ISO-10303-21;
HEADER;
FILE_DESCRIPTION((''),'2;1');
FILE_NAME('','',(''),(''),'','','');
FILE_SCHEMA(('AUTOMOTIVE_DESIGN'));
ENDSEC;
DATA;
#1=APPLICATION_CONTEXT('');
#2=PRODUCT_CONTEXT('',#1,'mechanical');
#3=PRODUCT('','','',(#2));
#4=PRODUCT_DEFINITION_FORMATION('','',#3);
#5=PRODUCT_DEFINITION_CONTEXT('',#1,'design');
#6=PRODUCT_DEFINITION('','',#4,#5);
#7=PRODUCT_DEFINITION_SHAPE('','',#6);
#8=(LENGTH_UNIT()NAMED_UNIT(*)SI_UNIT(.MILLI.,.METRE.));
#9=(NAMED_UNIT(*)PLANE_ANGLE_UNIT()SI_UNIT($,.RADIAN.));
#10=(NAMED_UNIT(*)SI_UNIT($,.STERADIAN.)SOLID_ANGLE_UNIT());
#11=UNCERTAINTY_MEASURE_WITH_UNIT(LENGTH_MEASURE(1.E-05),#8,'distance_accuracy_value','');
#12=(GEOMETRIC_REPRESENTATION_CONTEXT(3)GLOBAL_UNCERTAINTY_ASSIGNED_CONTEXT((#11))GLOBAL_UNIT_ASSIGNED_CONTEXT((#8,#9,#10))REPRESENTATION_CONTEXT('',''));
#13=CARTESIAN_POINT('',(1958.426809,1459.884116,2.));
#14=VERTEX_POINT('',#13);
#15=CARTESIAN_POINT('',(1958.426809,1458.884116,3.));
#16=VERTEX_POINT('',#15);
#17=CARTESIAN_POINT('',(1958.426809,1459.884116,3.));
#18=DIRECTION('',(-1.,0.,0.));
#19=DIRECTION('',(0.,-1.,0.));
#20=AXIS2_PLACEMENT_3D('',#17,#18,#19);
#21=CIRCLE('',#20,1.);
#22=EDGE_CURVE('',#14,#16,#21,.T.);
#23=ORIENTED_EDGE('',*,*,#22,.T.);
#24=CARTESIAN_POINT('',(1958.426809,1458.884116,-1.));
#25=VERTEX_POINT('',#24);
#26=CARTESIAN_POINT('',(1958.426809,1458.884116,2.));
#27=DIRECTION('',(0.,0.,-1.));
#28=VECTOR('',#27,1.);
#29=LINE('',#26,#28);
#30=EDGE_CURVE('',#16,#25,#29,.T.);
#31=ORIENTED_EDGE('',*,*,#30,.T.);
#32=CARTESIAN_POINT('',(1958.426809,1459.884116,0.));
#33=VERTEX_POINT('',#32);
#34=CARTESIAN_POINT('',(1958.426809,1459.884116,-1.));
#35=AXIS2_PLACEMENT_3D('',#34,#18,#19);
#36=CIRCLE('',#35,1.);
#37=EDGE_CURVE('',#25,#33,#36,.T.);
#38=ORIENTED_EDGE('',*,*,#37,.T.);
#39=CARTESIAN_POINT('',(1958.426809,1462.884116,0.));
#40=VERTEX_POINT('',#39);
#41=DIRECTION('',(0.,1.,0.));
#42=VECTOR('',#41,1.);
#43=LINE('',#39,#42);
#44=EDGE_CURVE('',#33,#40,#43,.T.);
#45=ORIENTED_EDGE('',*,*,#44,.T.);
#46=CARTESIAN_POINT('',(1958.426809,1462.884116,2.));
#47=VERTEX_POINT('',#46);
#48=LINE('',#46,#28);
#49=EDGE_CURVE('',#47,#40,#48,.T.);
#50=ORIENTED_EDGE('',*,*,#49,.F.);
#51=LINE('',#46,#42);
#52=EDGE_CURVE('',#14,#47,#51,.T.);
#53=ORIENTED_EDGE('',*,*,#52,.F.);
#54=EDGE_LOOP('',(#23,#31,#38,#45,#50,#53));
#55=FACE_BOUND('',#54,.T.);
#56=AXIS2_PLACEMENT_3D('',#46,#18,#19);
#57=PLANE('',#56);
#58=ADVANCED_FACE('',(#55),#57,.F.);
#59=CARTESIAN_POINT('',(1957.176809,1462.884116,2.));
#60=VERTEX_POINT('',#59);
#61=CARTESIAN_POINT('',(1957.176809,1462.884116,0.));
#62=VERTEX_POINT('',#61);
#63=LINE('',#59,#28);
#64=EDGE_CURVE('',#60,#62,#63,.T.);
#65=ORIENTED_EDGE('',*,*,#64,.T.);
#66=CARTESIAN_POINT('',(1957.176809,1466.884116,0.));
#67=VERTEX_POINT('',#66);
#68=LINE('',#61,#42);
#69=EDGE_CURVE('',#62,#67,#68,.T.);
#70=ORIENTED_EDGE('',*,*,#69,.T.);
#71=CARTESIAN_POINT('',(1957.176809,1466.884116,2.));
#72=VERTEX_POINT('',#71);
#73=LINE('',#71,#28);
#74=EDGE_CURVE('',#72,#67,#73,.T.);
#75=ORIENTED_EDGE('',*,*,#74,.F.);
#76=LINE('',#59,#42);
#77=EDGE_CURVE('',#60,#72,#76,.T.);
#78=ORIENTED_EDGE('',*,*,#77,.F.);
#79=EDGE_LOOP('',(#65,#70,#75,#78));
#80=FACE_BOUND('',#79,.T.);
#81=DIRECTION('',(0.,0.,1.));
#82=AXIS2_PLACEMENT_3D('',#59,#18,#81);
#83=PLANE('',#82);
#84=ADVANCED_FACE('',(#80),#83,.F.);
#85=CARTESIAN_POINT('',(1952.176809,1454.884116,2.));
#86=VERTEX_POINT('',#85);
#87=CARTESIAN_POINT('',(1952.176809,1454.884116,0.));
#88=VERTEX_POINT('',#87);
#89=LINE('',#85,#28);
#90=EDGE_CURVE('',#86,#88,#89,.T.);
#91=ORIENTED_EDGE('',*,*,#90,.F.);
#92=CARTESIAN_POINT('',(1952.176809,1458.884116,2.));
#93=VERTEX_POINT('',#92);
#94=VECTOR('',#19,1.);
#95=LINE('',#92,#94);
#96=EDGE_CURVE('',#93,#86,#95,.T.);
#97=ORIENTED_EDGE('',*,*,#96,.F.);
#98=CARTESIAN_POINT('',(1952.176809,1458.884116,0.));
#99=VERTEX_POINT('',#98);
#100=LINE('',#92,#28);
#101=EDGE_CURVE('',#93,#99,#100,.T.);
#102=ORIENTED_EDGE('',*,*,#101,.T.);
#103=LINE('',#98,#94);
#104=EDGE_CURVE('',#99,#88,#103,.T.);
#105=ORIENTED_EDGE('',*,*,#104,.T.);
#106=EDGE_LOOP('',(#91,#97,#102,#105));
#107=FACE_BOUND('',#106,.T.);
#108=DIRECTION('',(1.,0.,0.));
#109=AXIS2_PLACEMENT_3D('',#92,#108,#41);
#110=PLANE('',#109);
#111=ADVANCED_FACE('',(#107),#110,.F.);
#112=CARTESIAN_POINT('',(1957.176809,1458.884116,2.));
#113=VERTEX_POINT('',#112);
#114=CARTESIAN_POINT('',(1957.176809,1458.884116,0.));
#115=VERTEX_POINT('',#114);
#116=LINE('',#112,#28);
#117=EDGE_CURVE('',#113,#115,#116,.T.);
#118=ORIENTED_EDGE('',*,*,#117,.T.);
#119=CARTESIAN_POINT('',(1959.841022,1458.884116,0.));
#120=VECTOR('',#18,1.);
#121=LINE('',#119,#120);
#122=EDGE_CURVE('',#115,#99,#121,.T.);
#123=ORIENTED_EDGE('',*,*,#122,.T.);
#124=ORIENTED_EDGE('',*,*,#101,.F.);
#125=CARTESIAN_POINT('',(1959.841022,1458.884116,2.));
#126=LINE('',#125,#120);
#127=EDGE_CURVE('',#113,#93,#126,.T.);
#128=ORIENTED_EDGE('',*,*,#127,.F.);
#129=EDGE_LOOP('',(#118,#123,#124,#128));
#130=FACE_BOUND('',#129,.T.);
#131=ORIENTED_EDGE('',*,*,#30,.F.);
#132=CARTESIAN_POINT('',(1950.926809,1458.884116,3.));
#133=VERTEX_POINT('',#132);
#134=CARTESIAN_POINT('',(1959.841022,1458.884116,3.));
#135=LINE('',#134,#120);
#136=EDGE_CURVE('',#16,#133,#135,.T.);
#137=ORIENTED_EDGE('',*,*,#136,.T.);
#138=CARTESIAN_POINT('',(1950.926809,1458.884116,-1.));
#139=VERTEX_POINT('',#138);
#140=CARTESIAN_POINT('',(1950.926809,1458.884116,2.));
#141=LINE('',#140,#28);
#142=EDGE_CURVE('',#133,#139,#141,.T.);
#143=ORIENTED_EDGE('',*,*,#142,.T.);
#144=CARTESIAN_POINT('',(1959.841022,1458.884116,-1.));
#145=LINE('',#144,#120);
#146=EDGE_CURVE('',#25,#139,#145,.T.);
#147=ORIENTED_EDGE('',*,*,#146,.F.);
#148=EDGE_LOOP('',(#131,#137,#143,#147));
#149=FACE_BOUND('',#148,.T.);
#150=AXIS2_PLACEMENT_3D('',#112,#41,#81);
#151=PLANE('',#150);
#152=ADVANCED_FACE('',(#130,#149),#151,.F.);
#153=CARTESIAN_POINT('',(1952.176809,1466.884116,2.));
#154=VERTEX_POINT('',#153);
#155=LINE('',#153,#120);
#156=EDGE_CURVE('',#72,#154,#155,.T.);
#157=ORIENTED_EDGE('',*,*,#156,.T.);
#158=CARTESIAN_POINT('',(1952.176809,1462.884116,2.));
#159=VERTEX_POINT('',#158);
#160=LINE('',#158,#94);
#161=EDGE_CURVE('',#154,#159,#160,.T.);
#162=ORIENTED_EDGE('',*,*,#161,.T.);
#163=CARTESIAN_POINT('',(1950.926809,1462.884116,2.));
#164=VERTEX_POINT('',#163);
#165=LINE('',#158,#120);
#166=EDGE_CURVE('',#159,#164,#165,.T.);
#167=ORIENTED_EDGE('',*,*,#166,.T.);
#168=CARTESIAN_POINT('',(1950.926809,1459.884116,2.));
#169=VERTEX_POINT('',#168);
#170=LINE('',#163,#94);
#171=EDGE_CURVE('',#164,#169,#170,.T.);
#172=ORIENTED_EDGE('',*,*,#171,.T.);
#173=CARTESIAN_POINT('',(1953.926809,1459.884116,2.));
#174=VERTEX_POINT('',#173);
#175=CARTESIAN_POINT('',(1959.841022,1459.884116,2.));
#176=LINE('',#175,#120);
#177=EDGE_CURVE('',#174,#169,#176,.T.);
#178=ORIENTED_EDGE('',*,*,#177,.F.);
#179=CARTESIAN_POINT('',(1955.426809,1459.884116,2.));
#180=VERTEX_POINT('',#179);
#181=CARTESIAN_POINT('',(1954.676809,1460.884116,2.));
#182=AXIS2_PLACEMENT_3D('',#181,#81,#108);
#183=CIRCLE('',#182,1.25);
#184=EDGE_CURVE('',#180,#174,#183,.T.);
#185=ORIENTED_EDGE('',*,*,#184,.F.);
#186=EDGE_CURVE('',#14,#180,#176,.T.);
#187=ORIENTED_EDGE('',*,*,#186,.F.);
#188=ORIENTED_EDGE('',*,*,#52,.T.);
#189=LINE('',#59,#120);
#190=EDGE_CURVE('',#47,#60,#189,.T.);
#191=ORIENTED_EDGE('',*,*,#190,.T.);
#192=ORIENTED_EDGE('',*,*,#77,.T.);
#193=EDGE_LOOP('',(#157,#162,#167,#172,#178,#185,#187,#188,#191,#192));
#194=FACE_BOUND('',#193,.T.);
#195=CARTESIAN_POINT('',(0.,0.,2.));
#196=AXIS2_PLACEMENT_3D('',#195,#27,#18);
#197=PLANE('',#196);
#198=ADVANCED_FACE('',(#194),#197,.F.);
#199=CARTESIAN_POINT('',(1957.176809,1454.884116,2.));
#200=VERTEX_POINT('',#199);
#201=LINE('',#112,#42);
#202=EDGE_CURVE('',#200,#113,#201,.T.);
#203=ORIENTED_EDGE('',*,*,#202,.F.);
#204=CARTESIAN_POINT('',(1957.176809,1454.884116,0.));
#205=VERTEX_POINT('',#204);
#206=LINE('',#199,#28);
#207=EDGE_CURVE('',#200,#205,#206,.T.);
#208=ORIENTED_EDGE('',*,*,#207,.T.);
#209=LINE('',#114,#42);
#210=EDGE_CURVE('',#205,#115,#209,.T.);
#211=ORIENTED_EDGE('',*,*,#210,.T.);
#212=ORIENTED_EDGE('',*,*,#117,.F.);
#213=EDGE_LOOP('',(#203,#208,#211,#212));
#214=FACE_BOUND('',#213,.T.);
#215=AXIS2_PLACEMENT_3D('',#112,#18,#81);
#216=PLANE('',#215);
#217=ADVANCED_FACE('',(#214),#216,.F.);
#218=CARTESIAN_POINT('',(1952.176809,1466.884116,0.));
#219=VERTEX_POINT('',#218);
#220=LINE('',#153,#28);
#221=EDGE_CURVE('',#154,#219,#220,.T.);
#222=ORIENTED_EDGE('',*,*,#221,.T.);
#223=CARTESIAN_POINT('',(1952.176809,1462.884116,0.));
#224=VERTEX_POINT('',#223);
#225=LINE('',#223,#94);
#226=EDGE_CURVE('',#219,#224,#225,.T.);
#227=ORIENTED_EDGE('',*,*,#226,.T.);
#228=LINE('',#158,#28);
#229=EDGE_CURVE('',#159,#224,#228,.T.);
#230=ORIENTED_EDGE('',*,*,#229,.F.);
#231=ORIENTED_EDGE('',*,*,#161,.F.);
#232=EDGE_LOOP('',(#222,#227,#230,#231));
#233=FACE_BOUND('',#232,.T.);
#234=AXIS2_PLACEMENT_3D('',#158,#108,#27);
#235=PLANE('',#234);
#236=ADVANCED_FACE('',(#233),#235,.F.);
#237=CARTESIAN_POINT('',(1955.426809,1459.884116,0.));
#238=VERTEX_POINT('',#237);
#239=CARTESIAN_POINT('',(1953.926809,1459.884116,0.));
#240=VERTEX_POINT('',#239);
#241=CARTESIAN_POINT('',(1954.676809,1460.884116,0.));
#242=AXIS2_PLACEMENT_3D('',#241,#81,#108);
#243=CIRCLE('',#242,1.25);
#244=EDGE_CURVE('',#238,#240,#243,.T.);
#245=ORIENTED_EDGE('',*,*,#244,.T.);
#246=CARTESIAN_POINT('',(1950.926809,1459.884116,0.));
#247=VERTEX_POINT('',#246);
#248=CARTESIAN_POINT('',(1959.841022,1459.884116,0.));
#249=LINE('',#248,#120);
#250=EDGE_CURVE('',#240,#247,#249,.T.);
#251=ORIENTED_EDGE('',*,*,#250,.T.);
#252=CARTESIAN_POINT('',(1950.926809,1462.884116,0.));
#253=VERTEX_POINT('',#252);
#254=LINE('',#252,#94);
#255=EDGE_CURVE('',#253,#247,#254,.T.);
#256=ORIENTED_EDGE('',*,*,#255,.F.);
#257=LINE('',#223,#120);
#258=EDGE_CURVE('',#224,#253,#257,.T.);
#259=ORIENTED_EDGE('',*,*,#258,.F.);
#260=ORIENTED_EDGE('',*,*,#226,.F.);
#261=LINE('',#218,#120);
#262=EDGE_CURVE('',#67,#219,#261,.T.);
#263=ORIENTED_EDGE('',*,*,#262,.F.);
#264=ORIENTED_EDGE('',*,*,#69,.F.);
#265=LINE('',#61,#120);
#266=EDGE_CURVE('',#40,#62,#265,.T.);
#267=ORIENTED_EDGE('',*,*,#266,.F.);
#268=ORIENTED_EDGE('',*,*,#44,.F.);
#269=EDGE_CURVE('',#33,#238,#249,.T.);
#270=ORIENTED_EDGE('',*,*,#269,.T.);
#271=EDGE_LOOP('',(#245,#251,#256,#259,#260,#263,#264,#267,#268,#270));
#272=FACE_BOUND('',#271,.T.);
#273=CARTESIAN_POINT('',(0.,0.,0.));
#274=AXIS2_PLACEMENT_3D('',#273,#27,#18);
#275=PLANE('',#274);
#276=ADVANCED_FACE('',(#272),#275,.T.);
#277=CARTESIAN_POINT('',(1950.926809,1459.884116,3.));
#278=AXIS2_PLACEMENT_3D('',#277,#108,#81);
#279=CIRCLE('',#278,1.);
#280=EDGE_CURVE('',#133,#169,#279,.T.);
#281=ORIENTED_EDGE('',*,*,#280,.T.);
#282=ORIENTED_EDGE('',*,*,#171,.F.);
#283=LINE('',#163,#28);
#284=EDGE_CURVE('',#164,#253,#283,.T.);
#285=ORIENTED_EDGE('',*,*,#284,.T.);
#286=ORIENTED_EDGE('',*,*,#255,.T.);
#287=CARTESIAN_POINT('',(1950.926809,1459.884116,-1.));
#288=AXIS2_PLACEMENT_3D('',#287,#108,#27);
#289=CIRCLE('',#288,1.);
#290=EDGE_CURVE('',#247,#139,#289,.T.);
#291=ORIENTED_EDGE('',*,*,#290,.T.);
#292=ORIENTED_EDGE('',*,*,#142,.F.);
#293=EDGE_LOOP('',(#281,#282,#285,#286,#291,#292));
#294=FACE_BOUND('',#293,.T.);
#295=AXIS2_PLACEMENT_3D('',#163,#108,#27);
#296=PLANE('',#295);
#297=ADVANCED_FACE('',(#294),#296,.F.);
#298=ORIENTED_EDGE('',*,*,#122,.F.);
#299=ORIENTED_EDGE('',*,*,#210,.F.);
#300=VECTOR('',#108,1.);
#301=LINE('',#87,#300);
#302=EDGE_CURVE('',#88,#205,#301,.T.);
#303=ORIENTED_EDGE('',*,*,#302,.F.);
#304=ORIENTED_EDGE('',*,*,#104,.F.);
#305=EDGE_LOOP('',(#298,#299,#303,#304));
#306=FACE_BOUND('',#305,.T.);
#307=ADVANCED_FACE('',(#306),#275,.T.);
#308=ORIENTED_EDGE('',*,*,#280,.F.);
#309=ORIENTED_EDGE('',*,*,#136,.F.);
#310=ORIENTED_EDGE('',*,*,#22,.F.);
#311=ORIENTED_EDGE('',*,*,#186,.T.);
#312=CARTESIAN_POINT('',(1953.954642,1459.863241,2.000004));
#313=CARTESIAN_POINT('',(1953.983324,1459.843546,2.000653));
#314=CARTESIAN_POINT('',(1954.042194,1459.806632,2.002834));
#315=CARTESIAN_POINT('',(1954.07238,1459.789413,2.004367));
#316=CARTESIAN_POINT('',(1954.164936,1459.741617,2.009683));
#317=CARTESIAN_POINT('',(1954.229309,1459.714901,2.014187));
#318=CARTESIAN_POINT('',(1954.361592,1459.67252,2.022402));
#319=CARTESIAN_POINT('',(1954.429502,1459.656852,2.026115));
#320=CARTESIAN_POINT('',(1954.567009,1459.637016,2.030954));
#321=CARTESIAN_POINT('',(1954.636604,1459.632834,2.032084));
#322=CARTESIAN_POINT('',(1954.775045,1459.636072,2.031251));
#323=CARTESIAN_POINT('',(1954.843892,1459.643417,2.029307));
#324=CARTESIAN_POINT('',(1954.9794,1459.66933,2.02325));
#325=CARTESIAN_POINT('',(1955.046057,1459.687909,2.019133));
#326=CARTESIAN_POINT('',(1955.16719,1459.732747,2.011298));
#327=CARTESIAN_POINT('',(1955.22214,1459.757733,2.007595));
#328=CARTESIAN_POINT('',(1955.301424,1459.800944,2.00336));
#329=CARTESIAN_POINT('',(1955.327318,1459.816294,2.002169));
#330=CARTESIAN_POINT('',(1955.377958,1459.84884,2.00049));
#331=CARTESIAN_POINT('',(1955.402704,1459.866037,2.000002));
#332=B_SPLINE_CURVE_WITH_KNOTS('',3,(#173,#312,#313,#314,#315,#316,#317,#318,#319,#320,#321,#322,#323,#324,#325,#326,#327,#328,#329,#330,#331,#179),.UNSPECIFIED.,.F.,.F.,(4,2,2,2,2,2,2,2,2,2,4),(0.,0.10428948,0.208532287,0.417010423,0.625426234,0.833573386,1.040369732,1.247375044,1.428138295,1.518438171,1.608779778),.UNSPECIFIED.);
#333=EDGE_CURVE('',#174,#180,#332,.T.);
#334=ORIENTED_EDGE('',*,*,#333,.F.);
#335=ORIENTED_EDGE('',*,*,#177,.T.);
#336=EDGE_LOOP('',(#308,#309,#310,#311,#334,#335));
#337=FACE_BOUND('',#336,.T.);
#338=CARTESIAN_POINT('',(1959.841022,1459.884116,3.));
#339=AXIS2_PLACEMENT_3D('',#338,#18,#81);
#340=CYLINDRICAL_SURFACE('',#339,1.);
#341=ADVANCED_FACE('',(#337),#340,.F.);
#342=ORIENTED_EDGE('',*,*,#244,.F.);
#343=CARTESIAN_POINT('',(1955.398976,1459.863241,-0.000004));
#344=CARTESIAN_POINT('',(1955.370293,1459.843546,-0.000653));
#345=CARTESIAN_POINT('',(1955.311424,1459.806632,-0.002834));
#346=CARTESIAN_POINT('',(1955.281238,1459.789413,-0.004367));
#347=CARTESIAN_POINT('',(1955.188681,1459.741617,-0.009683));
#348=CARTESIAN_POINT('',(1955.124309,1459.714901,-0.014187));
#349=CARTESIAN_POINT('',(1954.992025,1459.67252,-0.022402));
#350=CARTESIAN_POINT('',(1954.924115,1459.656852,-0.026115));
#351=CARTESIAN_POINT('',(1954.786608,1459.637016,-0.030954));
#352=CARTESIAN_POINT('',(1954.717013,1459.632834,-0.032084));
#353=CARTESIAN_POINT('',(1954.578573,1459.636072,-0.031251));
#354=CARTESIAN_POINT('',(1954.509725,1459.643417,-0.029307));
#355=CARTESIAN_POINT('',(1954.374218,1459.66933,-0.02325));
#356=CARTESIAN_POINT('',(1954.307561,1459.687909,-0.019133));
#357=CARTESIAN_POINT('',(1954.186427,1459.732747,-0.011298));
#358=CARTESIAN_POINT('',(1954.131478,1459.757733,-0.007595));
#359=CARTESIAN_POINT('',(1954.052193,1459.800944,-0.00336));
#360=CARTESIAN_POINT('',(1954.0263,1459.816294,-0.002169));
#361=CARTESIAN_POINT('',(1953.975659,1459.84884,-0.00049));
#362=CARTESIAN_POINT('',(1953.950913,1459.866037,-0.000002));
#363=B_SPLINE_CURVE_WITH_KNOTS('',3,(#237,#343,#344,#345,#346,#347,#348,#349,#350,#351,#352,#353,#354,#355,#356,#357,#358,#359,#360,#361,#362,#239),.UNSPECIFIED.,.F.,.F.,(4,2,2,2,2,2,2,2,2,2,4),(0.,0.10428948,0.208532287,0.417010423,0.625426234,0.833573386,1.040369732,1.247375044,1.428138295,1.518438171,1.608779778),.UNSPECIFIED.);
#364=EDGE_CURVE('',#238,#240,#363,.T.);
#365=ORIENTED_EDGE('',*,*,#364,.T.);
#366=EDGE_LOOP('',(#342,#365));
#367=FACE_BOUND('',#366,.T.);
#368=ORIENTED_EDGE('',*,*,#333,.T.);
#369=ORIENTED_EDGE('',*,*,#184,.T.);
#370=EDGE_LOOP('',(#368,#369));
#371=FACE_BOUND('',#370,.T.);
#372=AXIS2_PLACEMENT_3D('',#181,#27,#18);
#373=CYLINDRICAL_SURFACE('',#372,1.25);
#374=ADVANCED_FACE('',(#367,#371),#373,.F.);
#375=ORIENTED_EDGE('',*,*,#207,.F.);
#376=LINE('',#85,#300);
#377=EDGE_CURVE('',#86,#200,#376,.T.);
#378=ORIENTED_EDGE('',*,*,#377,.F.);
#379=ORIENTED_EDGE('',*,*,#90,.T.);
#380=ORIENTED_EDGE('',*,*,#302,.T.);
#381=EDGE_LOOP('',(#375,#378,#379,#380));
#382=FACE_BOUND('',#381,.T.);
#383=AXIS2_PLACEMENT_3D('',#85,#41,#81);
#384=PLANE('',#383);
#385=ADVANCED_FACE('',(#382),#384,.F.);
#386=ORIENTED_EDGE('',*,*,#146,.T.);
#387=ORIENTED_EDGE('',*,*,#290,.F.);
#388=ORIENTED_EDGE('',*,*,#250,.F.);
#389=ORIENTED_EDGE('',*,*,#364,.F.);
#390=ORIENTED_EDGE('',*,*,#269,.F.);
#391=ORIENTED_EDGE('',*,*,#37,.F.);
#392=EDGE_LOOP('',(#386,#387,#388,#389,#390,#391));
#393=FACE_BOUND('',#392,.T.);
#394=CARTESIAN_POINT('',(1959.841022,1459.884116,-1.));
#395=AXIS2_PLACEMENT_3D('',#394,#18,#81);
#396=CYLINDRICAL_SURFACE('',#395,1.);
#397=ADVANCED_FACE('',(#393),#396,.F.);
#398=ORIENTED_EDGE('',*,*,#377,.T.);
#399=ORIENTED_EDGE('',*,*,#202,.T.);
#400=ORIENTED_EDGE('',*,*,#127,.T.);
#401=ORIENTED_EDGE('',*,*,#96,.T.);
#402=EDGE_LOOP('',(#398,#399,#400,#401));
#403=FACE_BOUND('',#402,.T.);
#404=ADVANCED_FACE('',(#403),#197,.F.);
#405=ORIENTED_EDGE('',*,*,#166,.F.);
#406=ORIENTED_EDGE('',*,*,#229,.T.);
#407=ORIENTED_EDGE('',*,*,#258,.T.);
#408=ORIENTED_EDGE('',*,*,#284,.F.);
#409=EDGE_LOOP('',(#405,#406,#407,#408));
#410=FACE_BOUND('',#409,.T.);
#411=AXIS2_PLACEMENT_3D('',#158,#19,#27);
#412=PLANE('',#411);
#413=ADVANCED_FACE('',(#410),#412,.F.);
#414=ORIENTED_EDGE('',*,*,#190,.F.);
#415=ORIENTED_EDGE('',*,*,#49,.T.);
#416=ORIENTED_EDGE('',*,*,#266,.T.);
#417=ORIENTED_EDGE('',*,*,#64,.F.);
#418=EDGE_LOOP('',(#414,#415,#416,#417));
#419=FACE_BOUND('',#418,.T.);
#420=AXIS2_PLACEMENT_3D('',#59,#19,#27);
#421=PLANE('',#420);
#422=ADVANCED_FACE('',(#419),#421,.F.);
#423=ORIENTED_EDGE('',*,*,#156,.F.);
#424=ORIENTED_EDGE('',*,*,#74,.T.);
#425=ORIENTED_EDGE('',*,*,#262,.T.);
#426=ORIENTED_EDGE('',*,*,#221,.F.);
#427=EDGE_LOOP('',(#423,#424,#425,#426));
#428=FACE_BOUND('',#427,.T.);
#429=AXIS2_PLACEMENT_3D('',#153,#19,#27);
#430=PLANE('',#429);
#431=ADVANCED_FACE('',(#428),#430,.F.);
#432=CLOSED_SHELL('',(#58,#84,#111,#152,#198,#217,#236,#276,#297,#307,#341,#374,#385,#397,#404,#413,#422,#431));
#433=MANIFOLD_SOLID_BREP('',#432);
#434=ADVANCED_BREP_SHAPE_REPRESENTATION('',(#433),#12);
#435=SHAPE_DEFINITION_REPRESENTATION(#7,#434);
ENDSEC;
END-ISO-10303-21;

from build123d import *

# Parameters (mm, degrees)
SKETCH1_R               = 1.25
BOSS_EXTRUDE1_DEPTH     = 2
BOSS_EXTRUDE2_DEPTH     = 7.5
SKETCH3_R               = 1.25
CUT_EXTRUDE1_DEPTH      = 2
CUT_EXTRUDE1_DEPTH_BACK = 4


with BuildPart() as part:
    # Sketch1 → Boss-Extrude1 (new body)
    with BuildSketch(Plane.XY):
        Polygon((1952.176808721, 1466.884115951), (1957.176808721, 1466.884115951), (1957.176808721, 1462.884115951), (1958.426808721, 1462.884115951), (1958.426808721, 1458.884115951), (1957.176808721, 1458.884115951), (1957.176808721, 1454.884115951), (1952.176808721, 1454.884115951), (1952.176808721, 1458.884115951), (1950.926808721, 1458.884115951), (1950.926808721, 1462.884115951), (1952.176808721, 1462.884115951), align=None)
        with Locations((1954.676808721, 1460.884115951)):
            Circle(SKETCH1_R, mode=Mode.SUBTRACT)
    extrude(amount=BOSS_EXTRUDE1_DEPTH)

    # Sketch2 → Boss-Extrude2 (add)
    with BuildSketch(Plane.ZY.offset(-1950.926808721)):
        with BuildLine():
            Line((2, 1458.884115951), (2, 1459.884115951))
            ThreePointArc((2, 1459.884115951), (2.292893219, 1459.17700917), (3, 1458.884115951))
            Line((3, 1458.884115951), (2, 1458.884115951))
        make_face()
        with BuildLine():
            Line((0, 1458.884115951), (-1, 1458.884115951))
            ThreePointArc((-1, 1458.884115951), (-0.292893219, 1459.17700917), (0, 1459.884115951))
            Line((0, 1459.884115951), (0, 1458.884115951))
        make_face()
    extrude(amount=-BOSS_EXTRUDE2_DEPTH)

    # Sketch3 → Cut-Extrude1 (cut, two sides)
    with BuildSketch(Plane.XY.offset(2)) as cut_extrude1_sk:
        with Locations((1954.676808721, 1460.884115951)):
            Circle(SKETCH3_R)
    extrude(amount=CUT_EXTRUDE1_DEPTH, mode=Mode.SUBTRACT)
    extrude(cut_extrude1_sk.sketch, amount=-CUT_EXTRUDE1_DEPTH_BACK, mode=Mode.SUBTRACT)


solid = part.part
